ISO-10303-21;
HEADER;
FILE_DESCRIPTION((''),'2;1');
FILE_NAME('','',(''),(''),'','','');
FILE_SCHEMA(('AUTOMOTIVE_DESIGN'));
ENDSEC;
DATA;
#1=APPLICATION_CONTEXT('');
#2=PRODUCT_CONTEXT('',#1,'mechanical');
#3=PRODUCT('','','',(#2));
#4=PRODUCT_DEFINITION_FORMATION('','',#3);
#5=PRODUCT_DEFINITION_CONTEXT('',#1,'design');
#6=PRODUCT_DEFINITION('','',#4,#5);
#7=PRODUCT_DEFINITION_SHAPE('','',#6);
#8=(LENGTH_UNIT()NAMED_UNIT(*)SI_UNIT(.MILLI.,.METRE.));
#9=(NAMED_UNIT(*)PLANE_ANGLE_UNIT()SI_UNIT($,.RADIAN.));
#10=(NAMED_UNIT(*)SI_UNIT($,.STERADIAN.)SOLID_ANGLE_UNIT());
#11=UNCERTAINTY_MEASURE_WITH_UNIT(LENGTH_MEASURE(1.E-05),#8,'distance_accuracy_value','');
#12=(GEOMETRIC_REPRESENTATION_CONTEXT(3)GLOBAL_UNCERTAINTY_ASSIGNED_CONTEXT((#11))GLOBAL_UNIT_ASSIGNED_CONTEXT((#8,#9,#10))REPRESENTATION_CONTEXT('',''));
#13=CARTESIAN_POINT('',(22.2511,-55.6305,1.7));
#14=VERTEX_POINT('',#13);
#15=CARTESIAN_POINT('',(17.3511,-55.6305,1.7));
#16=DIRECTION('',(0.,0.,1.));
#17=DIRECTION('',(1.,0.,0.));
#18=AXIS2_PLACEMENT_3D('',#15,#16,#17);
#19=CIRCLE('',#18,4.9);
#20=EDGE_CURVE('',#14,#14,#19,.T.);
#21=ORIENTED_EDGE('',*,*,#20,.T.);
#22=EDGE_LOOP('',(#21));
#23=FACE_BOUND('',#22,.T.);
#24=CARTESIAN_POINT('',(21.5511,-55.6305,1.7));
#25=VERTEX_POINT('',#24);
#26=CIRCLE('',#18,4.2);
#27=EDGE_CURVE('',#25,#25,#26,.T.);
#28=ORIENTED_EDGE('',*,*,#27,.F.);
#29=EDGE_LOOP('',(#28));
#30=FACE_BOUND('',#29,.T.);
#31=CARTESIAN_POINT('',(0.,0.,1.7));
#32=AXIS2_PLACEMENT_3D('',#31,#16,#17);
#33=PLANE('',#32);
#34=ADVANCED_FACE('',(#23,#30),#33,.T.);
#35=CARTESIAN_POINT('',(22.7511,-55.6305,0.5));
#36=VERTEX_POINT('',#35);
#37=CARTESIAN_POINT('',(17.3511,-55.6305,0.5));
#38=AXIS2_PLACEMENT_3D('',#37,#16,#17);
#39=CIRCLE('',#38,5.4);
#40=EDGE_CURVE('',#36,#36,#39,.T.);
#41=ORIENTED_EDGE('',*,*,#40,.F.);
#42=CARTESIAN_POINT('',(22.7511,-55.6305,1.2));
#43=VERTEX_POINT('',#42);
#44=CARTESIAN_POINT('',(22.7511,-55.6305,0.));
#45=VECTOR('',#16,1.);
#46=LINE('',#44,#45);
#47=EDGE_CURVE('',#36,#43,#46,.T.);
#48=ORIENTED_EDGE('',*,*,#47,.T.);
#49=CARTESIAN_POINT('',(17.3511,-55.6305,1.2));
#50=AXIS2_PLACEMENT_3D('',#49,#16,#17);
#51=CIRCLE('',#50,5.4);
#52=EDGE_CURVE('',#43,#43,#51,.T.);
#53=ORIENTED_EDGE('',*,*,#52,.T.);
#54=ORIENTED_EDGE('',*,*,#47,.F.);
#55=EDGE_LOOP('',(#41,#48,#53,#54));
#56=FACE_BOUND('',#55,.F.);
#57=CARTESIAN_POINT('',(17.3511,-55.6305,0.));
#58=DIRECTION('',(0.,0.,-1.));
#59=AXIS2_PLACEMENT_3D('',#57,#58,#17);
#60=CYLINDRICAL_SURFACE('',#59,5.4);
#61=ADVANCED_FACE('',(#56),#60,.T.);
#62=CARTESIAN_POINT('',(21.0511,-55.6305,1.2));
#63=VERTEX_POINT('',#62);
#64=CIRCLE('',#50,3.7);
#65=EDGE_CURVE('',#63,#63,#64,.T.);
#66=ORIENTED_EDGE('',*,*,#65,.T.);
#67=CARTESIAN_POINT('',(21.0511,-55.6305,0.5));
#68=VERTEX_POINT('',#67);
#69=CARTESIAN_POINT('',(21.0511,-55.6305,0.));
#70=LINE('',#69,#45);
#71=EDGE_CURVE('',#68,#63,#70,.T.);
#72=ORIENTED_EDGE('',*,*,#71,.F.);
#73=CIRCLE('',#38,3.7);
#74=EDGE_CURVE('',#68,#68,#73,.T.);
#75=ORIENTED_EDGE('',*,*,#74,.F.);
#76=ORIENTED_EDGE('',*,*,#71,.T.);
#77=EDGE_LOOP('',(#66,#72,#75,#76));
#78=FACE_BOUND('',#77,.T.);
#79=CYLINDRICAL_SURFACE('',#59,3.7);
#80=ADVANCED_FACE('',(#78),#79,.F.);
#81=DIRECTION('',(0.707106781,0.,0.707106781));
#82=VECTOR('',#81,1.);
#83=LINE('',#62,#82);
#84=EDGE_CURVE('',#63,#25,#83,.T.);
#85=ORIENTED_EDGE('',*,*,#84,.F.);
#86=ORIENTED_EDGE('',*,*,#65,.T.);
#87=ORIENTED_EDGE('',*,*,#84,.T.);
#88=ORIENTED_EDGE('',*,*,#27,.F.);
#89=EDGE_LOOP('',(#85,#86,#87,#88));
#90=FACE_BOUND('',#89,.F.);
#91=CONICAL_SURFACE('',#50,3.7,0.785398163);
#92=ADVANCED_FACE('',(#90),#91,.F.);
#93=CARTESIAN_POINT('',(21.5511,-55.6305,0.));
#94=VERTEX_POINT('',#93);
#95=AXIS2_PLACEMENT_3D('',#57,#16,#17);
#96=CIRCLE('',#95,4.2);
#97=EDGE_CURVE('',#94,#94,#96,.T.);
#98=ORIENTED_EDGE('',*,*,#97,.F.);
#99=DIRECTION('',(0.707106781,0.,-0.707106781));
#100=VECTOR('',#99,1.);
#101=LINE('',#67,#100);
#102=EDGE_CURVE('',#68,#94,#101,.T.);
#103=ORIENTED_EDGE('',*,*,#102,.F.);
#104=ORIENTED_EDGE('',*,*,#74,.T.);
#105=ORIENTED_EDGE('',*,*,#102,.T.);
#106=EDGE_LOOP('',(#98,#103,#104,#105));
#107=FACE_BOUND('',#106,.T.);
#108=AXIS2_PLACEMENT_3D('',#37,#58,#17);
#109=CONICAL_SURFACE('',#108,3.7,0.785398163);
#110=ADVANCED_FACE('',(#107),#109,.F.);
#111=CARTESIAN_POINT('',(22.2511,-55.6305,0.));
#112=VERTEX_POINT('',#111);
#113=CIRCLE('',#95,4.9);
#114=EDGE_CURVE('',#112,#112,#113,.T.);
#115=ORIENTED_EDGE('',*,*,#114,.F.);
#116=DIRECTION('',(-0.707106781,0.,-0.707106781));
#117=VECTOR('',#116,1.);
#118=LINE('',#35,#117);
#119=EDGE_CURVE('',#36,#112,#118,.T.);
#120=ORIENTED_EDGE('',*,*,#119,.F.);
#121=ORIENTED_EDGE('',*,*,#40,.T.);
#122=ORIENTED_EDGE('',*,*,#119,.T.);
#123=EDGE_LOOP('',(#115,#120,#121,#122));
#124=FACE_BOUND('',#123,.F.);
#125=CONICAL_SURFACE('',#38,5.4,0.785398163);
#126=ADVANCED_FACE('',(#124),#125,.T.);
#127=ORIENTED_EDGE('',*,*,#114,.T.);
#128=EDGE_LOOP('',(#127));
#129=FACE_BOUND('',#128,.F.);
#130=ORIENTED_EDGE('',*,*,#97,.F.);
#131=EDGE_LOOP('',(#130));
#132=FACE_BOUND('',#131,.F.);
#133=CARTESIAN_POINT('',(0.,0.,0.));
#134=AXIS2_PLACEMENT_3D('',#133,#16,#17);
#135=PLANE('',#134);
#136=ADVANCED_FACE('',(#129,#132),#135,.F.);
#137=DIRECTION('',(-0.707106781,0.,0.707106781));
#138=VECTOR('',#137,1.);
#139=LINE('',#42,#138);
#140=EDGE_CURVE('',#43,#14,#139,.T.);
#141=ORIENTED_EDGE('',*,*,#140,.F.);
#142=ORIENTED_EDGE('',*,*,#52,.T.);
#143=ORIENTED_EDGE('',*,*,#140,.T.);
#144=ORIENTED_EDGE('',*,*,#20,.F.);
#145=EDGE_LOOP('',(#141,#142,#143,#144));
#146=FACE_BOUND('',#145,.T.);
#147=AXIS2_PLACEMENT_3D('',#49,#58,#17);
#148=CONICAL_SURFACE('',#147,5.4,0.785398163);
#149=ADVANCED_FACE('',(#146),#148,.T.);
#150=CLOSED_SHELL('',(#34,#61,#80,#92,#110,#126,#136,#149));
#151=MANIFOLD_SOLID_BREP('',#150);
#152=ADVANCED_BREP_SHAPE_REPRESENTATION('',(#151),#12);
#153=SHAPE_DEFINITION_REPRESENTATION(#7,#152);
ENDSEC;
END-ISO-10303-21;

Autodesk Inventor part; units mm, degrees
ref_plane "YZ Plane" through (0, 0, 0) normal (1, 0, 0) x (0, 1, 0)
ref_plane "XZ Plane" through (0, 0, 0) normal (0, 1, 0) x (-1, 0, 0)
ref_plane "XY Plane" through (0, 0, 0) normal (0, 0, 1) x (1, 0, 0)
sketch "Sketch1" plane through (0, 0, 0) normal (0, 0, 1) x (1, 0, 0)
  circle A0 centre (17.3511, -55.6305) radius 5.4
  circle A1 centre (17.3511, -55.6305) radius 3.7
  point P0 (0, 0)
  dimension "d0" = 10.8
  dimension "d1" = 1.7
extrude "Extrusion1" add sketch "Sketch1" along normal blind 1.7
chamfer "Chamfer1" distance 0.5 angle 45 4 edges at (13.6511, -55.6305, 0) (11.9511, -55.6305, 0) (11.9511, -55.6305, 1.7) (13.6511, -55.6305, 1.7)
properties part number "throw-ring"
